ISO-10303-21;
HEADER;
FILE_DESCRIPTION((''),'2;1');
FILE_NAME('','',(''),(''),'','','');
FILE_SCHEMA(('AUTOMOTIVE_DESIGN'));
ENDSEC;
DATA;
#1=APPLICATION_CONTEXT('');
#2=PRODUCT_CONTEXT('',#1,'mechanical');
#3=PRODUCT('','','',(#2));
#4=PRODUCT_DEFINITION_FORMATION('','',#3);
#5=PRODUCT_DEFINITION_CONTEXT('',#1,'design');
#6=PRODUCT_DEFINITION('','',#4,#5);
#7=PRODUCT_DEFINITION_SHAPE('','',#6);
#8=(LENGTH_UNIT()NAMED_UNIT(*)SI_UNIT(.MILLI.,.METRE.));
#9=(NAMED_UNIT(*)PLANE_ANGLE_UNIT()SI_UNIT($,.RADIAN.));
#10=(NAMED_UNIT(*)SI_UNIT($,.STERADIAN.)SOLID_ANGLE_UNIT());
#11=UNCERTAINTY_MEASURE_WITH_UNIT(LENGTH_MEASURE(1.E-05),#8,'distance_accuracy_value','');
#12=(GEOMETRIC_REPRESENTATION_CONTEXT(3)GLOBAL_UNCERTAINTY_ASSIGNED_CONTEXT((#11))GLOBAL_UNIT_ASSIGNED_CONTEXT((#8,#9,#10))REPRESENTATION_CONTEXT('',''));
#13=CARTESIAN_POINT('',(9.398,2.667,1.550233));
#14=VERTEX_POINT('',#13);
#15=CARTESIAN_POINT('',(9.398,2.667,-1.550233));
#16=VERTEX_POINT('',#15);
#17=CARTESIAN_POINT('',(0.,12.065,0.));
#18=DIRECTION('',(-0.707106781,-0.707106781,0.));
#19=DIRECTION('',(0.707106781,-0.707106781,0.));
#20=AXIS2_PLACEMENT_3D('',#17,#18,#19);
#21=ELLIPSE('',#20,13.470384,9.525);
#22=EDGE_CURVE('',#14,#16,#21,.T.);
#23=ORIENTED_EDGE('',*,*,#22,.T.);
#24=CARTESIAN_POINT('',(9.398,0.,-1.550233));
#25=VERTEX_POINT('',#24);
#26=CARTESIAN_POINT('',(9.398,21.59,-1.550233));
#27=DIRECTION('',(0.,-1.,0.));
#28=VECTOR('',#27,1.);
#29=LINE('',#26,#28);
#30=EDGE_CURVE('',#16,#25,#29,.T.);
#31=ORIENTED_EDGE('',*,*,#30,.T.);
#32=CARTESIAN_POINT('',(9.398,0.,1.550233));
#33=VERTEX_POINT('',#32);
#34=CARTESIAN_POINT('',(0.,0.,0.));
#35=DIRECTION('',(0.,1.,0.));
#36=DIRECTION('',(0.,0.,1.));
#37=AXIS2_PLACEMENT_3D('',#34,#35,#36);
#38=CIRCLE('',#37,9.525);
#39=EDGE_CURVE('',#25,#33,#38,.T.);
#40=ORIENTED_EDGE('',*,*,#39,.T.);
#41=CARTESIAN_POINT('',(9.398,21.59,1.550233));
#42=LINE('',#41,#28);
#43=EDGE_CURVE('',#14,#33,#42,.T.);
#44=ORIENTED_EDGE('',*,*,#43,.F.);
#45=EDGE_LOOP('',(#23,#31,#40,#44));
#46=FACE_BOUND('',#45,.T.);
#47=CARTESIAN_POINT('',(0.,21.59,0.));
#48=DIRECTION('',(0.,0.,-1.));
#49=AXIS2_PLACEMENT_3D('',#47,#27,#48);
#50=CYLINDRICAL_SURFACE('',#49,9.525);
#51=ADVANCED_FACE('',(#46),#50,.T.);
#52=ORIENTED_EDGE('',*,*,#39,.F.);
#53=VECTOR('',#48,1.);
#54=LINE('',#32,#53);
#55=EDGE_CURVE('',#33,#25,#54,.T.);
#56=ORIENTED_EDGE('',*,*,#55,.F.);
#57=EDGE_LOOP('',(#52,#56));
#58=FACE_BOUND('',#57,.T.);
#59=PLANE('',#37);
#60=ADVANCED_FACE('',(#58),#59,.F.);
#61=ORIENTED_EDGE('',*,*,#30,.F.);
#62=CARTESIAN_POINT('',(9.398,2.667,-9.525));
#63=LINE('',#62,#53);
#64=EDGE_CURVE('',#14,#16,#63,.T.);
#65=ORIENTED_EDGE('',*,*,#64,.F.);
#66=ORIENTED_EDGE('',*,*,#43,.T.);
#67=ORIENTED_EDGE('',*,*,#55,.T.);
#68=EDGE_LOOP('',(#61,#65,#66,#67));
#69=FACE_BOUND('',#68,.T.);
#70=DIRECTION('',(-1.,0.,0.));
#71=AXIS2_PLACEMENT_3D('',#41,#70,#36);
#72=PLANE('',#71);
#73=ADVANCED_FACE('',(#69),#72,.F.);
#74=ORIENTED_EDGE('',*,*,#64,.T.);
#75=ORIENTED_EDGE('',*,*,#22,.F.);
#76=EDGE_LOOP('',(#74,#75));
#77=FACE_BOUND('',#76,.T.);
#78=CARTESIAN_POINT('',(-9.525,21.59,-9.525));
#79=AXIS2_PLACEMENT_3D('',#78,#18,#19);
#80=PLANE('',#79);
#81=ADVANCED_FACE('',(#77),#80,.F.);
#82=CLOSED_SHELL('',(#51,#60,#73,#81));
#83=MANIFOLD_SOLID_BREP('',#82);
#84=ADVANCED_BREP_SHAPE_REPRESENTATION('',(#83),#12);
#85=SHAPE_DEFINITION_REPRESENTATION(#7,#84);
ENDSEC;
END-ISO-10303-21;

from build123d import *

# Parameters (mm, degrees)
SKETCH1_R               = 9.525
EXTRUDE1_DEPTH          = 21.59
CUT_EXTRUDE1_DEPTH      = 10.525
CUT_EXTRUDE1_DEPTH_BACK = 10.525
CUT_EXTRUDE2_DEPTH      = 22.59


with BuildPart() as part:
    # Sketch1 → Extrude1 (new body)
    with BuildSketch(Plane(origin=(0, 0, 0), x_dir=(1, 0, 0), z_dir=(0, 1, 0))):
        with Locations(Location((0, 0, 0), (0, 0, 270))):  # turned: the seam where the file's is
            Circle(SKETCH1_R)
    extrude(amount=EXTRUDE1_DEPTH)

    # Sketch2 → Cut-Extrude1 (cut, two sides)
    with BuildSketch(Plane.XY) as cut_extrude1_sk:
        Polygon((-9.525, 21.59), (9.525, 2.54), (9.525, 21.59), align=None)
    extrude(amount=CUT_EXTRUDE1_DEPTH, mode=Mode.SUBTRACT)
    extrude(cut_extrude1_sk.sketch, amount=-CUT_EXTRUDE1_DEPTH_BACK, mode=Mode.SUBTRACT)

    # Sketch3 → Cut-Extrude2 (cut, through all)
    with BuildSketch(Plane.XZ):
        with BuildLine():
            Line((9.398, 1.550232563), (9.398, -1.550232563))
            ThreePointArc((9.398, -1.550232563), (9.525, 0), (9.398, 1.550232563))
        make_face()
    extrude(amount=-CUT_EXTRUDE2_DEPTH, mode=Mode.SUBTRACT)


solid = part.part
